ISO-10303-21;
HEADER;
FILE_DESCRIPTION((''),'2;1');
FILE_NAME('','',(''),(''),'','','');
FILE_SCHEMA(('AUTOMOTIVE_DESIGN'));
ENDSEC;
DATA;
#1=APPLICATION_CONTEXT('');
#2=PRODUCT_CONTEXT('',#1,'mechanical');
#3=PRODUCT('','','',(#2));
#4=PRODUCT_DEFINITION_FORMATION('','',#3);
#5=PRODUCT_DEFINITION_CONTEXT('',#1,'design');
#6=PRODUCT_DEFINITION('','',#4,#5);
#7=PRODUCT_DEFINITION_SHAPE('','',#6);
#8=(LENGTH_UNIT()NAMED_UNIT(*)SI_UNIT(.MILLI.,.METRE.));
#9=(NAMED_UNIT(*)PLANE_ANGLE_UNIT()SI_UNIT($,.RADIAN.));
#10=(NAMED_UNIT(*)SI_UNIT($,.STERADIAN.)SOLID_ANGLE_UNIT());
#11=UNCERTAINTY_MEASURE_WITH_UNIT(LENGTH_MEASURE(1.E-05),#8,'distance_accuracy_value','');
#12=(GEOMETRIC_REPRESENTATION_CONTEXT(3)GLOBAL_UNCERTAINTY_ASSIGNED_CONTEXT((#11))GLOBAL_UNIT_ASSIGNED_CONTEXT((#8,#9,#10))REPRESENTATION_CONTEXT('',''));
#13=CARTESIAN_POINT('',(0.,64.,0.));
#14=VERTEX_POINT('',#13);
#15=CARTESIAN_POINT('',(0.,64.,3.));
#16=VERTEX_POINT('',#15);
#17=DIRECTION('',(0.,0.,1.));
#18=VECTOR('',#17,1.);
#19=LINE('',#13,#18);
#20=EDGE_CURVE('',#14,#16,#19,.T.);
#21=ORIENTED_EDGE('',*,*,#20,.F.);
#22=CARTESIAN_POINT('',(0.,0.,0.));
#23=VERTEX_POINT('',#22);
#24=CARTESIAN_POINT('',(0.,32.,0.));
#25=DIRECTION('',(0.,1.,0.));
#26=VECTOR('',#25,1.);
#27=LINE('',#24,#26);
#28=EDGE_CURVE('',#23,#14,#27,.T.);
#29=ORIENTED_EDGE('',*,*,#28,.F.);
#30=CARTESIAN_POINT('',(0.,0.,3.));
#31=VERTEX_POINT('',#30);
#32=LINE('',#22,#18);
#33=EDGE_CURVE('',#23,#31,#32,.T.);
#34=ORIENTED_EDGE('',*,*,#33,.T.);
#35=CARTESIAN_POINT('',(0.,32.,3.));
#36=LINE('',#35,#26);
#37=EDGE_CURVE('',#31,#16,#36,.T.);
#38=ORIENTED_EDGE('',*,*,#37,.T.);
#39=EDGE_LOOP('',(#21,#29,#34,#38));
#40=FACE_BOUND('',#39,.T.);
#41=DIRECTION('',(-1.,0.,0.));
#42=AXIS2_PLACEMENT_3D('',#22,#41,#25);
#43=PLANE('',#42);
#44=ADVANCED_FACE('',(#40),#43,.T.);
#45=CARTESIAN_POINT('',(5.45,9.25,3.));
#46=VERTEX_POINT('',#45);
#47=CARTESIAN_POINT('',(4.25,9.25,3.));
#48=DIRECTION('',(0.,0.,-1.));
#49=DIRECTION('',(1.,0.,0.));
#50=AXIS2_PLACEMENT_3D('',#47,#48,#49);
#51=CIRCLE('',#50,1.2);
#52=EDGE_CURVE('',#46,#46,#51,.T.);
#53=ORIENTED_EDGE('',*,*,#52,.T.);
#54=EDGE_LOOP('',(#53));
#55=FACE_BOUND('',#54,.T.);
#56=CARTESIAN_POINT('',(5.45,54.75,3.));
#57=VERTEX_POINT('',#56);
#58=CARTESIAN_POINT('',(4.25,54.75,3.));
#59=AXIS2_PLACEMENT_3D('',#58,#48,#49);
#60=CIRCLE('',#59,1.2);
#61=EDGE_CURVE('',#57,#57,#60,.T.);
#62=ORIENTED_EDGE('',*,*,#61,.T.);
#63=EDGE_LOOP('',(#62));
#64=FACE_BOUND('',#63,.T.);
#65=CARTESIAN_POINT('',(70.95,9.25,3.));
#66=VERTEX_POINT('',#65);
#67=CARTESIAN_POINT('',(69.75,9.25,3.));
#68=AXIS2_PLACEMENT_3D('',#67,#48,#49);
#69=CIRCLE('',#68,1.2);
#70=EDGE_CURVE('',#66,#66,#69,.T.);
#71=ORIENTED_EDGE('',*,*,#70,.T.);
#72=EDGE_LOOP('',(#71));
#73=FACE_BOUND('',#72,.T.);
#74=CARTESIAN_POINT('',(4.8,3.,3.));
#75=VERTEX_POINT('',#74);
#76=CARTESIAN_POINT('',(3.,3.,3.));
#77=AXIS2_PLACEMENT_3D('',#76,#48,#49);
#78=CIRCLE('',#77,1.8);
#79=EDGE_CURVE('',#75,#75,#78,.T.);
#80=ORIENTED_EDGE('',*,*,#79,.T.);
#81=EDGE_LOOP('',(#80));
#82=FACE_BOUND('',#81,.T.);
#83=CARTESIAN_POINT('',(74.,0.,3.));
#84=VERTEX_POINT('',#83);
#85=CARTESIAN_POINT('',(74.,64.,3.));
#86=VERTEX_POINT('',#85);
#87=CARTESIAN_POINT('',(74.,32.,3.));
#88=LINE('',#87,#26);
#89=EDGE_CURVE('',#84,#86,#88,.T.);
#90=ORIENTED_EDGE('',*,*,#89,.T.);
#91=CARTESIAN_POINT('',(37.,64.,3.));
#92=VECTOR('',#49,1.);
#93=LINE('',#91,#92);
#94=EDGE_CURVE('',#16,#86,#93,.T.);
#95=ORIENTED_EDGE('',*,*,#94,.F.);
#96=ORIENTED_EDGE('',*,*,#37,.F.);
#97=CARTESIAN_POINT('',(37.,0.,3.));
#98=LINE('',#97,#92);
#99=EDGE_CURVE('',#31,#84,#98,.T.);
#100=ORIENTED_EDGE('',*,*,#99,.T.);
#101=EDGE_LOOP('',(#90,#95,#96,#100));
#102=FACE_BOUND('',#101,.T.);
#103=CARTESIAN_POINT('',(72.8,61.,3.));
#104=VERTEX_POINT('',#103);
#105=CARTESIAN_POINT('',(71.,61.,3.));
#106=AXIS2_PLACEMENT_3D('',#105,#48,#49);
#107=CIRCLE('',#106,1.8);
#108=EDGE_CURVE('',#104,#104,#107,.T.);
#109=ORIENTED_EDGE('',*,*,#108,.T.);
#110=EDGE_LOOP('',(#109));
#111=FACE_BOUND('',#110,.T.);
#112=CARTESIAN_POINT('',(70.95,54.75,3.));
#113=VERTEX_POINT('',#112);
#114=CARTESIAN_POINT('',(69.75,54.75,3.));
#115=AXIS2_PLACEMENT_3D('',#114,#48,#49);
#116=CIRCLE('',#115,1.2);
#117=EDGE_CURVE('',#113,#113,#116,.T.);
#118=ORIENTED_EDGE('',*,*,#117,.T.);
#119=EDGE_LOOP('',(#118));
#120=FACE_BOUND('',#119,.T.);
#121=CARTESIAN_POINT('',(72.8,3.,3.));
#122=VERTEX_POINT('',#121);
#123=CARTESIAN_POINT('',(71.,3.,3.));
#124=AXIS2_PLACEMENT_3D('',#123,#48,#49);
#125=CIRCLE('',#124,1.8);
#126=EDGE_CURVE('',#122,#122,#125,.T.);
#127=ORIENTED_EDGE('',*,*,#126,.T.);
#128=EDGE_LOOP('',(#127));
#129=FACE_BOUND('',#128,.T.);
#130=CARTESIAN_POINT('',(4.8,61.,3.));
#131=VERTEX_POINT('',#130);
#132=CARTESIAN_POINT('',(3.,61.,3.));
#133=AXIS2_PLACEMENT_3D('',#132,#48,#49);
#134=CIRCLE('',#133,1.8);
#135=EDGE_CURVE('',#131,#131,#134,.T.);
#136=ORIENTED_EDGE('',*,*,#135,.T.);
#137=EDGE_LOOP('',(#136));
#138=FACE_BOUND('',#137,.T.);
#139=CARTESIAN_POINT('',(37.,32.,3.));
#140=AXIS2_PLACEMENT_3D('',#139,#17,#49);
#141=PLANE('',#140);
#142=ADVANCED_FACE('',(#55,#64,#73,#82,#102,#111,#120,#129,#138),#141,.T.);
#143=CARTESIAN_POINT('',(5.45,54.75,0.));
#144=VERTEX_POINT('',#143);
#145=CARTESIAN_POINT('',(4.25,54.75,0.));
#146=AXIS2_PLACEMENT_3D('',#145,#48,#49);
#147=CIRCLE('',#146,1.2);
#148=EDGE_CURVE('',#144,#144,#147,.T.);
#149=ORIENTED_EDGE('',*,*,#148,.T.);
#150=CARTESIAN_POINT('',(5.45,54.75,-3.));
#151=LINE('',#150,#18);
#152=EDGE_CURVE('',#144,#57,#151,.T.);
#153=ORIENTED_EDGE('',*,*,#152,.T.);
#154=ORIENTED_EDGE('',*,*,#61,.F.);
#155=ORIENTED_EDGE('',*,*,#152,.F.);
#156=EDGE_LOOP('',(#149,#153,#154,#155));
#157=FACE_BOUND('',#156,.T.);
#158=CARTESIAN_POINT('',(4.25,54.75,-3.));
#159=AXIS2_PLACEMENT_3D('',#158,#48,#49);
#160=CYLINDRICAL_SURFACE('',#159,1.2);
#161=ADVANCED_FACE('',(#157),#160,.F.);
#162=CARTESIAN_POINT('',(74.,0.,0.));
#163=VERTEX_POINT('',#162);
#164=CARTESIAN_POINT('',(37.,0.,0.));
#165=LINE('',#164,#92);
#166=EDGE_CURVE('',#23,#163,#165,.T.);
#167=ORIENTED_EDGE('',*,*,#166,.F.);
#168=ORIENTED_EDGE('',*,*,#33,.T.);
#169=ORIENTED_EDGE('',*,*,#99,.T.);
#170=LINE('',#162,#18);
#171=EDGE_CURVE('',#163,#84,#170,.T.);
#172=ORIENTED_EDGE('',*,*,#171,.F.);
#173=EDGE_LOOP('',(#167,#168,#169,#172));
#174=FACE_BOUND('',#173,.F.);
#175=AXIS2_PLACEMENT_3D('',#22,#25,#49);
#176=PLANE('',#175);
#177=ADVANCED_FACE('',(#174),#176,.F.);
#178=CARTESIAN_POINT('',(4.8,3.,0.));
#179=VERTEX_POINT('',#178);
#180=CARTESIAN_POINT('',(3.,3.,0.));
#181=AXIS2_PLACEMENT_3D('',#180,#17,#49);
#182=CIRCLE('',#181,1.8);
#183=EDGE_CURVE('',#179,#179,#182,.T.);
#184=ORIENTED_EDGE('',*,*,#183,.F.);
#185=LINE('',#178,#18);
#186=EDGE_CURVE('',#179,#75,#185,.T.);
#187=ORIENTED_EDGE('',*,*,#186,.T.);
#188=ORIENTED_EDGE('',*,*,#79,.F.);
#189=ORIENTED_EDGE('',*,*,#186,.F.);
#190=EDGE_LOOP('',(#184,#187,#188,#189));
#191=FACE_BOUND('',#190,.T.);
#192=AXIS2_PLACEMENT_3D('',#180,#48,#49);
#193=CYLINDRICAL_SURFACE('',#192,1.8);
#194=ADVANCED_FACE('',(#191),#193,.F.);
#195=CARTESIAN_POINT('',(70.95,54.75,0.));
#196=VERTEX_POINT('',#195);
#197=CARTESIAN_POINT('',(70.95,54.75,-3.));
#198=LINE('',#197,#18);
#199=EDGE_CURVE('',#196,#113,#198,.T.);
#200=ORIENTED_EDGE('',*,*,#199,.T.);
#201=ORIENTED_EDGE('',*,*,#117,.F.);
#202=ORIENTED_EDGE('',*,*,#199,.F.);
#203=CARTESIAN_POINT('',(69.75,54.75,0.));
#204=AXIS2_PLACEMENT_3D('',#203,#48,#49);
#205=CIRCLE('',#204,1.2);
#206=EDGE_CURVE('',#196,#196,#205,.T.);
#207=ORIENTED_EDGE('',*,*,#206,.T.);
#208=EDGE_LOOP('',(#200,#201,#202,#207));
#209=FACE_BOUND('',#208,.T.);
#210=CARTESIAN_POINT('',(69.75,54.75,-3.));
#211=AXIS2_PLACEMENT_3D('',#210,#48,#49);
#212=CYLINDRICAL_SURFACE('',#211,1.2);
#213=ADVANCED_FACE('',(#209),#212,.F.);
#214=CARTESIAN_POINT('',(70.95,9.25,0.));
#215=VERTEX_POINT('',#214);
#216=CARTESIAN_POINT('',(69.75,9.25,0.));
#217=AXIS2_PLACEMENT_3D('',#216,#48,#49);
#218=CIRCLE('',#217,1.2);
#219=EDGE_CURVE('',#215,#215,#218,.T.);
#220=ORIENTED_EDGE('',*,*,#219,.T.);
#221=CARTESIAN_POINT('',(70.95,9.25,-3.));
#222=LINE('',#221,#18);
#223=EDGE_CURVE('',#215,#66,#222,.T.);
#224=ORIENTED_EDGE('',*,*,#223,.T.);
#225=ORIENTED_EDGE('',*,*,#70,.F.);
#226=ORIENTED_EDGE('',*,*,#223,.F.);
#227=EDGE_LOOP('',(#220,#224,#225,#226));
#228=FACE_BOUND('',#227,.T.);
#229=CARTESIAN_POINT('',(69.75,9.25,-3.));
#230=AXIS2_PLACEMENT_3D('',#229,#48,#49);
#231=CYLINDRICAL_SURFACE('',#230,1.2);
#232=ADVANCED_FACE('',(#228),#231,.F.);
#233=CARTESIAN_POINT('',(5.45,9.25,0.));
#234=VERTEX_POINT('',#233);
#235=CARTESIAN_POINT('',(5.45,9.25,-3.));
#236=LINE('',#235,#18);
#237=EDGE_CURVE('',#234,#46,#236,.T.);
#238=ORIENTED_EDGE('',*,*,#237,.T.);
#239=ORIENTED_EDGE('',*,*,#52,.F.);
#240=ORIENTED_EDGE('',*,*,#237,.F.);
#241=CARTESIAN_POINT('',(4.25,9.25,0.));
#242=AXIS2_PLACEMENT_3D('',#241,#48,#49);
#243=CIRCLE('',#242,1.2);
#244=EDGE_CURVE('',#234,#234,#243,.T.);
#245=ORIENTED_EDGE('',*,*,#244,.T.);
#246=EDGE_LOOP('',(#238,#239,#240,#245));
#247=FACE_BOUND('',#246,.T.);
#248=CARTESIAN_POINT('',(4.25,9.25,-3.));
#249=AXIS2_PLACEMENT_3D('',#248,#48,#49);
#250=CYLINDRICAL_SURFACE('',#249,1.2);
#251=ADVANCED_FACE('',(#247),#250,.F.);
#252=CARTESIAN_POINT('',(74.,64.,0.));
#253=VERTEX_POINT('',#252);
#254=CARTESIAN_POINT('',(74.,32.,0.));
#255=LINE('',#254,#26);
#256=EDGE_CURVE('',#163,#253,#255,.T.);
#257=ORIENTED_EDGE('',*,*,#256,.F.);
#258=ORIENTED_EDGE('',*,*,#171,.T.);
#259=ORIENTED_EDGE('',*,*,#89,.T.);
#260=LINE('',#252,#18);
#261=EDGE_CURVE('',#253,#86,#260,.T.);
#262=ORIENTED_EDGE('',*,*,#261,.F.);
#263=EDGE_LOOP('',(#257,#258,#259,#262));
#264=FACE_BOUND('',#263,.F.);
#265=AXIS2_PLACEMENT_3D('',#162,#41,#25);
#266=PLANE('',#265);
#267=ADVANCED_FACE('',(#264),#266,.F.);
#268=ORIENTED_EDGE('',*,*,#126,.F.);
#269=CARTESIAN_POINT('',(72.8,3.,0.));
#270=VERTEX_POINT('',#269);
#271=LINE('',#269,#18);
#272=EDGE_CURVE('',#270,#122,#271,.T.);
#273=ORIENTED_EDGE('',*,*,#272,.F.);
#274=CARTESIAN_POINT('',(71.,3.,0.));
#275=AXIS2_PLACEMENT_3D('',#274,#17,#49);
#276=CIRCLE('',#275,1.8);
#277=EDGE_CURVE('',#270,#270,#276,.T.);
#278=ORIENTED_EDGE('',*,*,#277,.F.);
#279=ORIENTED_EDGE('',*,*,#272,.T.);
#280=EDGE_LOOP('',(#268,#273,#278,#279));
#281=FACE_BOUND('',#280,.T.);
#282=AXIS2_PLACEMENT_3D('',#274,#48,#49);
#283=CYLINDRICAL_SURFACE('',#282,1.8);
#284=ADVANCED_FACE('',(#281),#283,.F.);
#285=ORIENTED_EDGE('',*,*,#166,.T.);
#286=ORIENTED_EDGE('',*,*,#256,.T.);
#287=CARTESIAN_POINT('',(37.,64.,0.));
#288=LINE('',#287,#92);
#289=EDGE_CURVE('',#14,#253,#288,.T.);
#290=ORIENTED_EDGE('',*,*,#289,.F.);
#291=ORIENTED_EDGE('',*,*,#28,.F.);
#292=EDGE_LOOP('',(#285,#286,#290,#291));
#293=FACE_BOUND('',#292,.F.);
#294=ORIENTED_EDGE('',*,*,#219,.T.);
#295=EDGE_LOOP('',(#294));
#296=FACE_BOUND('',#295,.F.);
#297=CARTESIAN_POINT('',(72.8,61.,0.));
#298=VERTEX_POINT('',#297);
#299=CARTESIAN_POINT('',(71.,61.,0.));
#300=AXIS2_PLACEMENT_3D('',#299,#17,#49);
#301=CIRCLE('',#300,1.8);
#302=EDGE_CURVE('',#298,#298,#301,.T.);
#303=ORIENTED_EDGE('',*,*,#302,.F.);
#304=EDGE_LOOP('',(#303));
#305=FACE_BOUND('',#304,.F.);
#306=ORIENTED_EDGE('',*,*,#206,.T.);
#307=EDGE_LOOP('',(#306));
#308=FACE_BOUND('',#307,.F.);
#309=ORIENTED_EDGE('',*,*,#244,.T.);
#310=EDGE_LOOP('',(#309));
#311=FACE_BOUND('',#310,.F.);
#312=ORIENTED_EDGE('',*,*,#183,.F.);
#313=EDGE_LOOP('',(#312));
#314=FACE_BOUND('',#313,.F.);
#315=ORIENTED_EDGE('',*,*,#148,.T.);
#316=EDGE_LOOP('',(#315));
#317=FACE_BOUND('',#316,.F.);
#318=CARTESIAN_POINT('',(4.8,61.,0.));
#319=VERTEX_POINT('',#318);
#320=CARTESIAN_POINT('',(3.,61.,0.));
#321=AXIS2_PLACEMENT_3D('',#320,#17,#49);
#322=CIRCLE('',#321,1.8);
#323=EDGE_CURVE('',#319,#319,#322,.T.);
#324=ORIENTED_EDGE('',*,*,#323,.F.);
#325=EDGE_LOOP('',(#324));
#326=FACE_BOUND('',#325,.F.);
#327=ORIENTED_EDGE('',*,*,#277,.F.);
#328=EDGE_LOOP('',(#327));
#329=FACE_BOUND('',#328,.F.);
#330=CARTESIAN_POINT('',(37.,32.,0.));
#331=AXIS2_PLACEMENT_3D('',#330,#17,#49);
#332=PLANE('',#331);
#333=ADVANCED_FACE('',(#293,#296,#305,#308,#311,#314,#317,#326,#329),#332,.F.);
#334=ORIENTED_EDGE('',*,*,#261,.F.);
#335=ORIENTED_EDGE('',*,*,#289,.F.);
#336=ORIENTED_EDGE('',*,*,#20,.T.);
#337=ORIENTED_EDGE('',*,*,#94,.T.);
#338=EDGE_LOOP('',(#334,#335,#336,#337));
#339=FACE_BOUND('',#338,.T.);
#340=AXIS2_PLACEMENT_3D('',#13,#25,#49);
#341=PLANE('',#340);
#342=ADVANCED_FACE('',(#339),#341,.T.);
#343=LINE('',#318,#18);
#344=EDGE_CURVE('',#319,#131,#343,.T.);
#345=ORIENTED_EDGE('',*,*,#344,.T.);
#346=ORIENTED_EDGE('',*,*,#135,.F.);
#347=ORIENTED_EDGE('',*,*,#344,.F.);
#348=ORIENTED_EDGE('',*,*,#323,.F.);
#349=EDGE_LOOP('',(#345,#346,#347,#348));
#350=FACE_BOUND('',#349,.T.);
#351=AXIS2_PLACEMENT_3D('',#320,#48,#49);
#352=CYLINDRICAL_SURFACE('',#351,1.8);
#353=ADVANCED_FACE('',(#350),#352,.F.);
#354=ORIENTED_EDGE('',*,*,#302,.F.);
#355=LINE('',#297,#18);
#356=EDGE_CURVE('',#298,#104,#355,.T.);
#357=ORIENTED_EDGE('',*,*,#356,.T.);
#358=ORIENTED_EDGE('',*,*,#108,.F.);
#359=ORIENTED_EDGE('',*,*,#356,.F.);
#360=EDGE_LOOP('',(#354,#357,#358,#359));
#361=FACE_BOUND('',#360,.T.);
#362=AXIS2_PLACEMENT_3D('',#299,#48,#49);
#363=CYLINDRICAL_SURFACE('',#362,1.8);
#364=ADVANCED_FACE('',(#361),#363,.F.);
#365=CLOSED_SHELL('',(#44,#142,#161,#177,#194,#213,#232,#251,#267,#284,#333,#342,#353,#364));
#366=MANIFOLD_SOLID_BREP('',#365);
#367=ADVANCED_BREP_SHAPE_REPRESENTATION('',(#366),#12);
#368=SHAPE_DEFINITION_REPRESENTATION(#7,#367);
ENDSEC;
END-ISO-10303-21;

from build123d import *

# Parameters (mm, degrees)
CYLINDER009_R     = 1.8
CYLINDER009_DEPTH = 20
ARRAY005_X_COUNT  = 2
ARRAY005_X_PITCH  = 68
ARRAY005_Y_COUNT  = 2
ARRAY005_Y_PITCH  = 58
CYLINDER005_R     = 1.2
CYLINDER005_DEPTH = 10
ARRAY003_X_COUNT  = 2
ARRAY003_X_PITCH  = 65.5
ARRAY003_Y_COUNT  = 2
ARRAY003_Y_PITCH  = 45.5
BOX006_W          = 74
BOX006_H          = 64
BOX006_DEPTH      = 3


with BuildPart() as wall_box_hole_stand_array001:
    # Cylinder009 → Cylinder009 (new body)
    with BuildSketch(Plane(origin=(3, 3, 0), x_dir=(1, 0, 0), z_dir=(0, 0, 1))):
        Circle(CYLINDER009_R)
    extrude(amount=CYLINDER009_DEPTH)

    # Array005 X: wall box hole stand array001 ×2


with BuildPart() as wall_box_hole_stand_array001_1:
    add(wall_box_hole_stand_array001.part)
    with Locations(*[(i * ARRAY005_X_PITCH, 0, 0) for i in range(1, ARRAY005_X_COUNT)]):
        add(wall_box_hole_stand_array001.part)

    # Array005 Y: wall box hole stand array001 ×2


with BuildPart() as wall_box_hole_stand_array001_2:
    add(wall_box_hole_stand_array001_1.part)
    with Locations(*[(0, i * ARRAY005_Y_PITCH, 0) for i in range(1, ARRAY005_Y_COUNT)]):
        add(wall_box_hole_stand_array001_1.part)


with BuildPart() as bottom_plate_hole_fusion:
    # Cylinder005 → Cylinder005 (new body)
    with BuildSketch(Plane.XY):
        Circle(CYLINDER005_R)
    extrude(amount=CYLINDER005_DEPTH)

    # Array003 X: bottom plate hole fusion ×2


with BuildPart() as bottom_plate_hole_fusion_1:
    add(bottom_plate_hole_fusion.part)
    with Locations(*[(i * ARRAY003_X_PITCH, 0, 0) for i in range(1, ARRAY003_X_COUNT)]):
        add(bottom_plate_hole_fusion.part)

    # Array003 Y: bottom plate hole fusion ×2


with BuildPart() as bottom_plate_hole_fusion_2:
    add(bottom_plate_hole_fusion_1.part)
    with Locations(*[(0, i * ARRAY003_Y_PITCH, 0) for i in range(1, ARRAY003_Y_COUNT)]):
        add(bottom_plate_hole_fusion_1.part)


with BuildPart() as bottom_plate_hole_fusion_3:
    # Array003 placement: moved
    add(bottom_plate_hole_fusion_2.part.moved(Location((4.25, 9.25, -3))))

    # Fusion004: union wall box hole stand array001
    add(wall_box_hole_stand_array001_2.part)


with BuildPart() as bottom_plate_cut:
    # Box006 → Box006 (new body)
    with BuildSketch(Plane.XY):
        with Locations((37, 32)):
            Rectangle(BOX006_W, BOX006_H)
    extrude(amount=BOX006_DEPTH)

    # Cut003: cut bottom plate hole fusion
    add(bottom_plate_hole_fusion_3.part, mode=Mode.SUBTRACT)


solid = bottom_plate_cut.part
